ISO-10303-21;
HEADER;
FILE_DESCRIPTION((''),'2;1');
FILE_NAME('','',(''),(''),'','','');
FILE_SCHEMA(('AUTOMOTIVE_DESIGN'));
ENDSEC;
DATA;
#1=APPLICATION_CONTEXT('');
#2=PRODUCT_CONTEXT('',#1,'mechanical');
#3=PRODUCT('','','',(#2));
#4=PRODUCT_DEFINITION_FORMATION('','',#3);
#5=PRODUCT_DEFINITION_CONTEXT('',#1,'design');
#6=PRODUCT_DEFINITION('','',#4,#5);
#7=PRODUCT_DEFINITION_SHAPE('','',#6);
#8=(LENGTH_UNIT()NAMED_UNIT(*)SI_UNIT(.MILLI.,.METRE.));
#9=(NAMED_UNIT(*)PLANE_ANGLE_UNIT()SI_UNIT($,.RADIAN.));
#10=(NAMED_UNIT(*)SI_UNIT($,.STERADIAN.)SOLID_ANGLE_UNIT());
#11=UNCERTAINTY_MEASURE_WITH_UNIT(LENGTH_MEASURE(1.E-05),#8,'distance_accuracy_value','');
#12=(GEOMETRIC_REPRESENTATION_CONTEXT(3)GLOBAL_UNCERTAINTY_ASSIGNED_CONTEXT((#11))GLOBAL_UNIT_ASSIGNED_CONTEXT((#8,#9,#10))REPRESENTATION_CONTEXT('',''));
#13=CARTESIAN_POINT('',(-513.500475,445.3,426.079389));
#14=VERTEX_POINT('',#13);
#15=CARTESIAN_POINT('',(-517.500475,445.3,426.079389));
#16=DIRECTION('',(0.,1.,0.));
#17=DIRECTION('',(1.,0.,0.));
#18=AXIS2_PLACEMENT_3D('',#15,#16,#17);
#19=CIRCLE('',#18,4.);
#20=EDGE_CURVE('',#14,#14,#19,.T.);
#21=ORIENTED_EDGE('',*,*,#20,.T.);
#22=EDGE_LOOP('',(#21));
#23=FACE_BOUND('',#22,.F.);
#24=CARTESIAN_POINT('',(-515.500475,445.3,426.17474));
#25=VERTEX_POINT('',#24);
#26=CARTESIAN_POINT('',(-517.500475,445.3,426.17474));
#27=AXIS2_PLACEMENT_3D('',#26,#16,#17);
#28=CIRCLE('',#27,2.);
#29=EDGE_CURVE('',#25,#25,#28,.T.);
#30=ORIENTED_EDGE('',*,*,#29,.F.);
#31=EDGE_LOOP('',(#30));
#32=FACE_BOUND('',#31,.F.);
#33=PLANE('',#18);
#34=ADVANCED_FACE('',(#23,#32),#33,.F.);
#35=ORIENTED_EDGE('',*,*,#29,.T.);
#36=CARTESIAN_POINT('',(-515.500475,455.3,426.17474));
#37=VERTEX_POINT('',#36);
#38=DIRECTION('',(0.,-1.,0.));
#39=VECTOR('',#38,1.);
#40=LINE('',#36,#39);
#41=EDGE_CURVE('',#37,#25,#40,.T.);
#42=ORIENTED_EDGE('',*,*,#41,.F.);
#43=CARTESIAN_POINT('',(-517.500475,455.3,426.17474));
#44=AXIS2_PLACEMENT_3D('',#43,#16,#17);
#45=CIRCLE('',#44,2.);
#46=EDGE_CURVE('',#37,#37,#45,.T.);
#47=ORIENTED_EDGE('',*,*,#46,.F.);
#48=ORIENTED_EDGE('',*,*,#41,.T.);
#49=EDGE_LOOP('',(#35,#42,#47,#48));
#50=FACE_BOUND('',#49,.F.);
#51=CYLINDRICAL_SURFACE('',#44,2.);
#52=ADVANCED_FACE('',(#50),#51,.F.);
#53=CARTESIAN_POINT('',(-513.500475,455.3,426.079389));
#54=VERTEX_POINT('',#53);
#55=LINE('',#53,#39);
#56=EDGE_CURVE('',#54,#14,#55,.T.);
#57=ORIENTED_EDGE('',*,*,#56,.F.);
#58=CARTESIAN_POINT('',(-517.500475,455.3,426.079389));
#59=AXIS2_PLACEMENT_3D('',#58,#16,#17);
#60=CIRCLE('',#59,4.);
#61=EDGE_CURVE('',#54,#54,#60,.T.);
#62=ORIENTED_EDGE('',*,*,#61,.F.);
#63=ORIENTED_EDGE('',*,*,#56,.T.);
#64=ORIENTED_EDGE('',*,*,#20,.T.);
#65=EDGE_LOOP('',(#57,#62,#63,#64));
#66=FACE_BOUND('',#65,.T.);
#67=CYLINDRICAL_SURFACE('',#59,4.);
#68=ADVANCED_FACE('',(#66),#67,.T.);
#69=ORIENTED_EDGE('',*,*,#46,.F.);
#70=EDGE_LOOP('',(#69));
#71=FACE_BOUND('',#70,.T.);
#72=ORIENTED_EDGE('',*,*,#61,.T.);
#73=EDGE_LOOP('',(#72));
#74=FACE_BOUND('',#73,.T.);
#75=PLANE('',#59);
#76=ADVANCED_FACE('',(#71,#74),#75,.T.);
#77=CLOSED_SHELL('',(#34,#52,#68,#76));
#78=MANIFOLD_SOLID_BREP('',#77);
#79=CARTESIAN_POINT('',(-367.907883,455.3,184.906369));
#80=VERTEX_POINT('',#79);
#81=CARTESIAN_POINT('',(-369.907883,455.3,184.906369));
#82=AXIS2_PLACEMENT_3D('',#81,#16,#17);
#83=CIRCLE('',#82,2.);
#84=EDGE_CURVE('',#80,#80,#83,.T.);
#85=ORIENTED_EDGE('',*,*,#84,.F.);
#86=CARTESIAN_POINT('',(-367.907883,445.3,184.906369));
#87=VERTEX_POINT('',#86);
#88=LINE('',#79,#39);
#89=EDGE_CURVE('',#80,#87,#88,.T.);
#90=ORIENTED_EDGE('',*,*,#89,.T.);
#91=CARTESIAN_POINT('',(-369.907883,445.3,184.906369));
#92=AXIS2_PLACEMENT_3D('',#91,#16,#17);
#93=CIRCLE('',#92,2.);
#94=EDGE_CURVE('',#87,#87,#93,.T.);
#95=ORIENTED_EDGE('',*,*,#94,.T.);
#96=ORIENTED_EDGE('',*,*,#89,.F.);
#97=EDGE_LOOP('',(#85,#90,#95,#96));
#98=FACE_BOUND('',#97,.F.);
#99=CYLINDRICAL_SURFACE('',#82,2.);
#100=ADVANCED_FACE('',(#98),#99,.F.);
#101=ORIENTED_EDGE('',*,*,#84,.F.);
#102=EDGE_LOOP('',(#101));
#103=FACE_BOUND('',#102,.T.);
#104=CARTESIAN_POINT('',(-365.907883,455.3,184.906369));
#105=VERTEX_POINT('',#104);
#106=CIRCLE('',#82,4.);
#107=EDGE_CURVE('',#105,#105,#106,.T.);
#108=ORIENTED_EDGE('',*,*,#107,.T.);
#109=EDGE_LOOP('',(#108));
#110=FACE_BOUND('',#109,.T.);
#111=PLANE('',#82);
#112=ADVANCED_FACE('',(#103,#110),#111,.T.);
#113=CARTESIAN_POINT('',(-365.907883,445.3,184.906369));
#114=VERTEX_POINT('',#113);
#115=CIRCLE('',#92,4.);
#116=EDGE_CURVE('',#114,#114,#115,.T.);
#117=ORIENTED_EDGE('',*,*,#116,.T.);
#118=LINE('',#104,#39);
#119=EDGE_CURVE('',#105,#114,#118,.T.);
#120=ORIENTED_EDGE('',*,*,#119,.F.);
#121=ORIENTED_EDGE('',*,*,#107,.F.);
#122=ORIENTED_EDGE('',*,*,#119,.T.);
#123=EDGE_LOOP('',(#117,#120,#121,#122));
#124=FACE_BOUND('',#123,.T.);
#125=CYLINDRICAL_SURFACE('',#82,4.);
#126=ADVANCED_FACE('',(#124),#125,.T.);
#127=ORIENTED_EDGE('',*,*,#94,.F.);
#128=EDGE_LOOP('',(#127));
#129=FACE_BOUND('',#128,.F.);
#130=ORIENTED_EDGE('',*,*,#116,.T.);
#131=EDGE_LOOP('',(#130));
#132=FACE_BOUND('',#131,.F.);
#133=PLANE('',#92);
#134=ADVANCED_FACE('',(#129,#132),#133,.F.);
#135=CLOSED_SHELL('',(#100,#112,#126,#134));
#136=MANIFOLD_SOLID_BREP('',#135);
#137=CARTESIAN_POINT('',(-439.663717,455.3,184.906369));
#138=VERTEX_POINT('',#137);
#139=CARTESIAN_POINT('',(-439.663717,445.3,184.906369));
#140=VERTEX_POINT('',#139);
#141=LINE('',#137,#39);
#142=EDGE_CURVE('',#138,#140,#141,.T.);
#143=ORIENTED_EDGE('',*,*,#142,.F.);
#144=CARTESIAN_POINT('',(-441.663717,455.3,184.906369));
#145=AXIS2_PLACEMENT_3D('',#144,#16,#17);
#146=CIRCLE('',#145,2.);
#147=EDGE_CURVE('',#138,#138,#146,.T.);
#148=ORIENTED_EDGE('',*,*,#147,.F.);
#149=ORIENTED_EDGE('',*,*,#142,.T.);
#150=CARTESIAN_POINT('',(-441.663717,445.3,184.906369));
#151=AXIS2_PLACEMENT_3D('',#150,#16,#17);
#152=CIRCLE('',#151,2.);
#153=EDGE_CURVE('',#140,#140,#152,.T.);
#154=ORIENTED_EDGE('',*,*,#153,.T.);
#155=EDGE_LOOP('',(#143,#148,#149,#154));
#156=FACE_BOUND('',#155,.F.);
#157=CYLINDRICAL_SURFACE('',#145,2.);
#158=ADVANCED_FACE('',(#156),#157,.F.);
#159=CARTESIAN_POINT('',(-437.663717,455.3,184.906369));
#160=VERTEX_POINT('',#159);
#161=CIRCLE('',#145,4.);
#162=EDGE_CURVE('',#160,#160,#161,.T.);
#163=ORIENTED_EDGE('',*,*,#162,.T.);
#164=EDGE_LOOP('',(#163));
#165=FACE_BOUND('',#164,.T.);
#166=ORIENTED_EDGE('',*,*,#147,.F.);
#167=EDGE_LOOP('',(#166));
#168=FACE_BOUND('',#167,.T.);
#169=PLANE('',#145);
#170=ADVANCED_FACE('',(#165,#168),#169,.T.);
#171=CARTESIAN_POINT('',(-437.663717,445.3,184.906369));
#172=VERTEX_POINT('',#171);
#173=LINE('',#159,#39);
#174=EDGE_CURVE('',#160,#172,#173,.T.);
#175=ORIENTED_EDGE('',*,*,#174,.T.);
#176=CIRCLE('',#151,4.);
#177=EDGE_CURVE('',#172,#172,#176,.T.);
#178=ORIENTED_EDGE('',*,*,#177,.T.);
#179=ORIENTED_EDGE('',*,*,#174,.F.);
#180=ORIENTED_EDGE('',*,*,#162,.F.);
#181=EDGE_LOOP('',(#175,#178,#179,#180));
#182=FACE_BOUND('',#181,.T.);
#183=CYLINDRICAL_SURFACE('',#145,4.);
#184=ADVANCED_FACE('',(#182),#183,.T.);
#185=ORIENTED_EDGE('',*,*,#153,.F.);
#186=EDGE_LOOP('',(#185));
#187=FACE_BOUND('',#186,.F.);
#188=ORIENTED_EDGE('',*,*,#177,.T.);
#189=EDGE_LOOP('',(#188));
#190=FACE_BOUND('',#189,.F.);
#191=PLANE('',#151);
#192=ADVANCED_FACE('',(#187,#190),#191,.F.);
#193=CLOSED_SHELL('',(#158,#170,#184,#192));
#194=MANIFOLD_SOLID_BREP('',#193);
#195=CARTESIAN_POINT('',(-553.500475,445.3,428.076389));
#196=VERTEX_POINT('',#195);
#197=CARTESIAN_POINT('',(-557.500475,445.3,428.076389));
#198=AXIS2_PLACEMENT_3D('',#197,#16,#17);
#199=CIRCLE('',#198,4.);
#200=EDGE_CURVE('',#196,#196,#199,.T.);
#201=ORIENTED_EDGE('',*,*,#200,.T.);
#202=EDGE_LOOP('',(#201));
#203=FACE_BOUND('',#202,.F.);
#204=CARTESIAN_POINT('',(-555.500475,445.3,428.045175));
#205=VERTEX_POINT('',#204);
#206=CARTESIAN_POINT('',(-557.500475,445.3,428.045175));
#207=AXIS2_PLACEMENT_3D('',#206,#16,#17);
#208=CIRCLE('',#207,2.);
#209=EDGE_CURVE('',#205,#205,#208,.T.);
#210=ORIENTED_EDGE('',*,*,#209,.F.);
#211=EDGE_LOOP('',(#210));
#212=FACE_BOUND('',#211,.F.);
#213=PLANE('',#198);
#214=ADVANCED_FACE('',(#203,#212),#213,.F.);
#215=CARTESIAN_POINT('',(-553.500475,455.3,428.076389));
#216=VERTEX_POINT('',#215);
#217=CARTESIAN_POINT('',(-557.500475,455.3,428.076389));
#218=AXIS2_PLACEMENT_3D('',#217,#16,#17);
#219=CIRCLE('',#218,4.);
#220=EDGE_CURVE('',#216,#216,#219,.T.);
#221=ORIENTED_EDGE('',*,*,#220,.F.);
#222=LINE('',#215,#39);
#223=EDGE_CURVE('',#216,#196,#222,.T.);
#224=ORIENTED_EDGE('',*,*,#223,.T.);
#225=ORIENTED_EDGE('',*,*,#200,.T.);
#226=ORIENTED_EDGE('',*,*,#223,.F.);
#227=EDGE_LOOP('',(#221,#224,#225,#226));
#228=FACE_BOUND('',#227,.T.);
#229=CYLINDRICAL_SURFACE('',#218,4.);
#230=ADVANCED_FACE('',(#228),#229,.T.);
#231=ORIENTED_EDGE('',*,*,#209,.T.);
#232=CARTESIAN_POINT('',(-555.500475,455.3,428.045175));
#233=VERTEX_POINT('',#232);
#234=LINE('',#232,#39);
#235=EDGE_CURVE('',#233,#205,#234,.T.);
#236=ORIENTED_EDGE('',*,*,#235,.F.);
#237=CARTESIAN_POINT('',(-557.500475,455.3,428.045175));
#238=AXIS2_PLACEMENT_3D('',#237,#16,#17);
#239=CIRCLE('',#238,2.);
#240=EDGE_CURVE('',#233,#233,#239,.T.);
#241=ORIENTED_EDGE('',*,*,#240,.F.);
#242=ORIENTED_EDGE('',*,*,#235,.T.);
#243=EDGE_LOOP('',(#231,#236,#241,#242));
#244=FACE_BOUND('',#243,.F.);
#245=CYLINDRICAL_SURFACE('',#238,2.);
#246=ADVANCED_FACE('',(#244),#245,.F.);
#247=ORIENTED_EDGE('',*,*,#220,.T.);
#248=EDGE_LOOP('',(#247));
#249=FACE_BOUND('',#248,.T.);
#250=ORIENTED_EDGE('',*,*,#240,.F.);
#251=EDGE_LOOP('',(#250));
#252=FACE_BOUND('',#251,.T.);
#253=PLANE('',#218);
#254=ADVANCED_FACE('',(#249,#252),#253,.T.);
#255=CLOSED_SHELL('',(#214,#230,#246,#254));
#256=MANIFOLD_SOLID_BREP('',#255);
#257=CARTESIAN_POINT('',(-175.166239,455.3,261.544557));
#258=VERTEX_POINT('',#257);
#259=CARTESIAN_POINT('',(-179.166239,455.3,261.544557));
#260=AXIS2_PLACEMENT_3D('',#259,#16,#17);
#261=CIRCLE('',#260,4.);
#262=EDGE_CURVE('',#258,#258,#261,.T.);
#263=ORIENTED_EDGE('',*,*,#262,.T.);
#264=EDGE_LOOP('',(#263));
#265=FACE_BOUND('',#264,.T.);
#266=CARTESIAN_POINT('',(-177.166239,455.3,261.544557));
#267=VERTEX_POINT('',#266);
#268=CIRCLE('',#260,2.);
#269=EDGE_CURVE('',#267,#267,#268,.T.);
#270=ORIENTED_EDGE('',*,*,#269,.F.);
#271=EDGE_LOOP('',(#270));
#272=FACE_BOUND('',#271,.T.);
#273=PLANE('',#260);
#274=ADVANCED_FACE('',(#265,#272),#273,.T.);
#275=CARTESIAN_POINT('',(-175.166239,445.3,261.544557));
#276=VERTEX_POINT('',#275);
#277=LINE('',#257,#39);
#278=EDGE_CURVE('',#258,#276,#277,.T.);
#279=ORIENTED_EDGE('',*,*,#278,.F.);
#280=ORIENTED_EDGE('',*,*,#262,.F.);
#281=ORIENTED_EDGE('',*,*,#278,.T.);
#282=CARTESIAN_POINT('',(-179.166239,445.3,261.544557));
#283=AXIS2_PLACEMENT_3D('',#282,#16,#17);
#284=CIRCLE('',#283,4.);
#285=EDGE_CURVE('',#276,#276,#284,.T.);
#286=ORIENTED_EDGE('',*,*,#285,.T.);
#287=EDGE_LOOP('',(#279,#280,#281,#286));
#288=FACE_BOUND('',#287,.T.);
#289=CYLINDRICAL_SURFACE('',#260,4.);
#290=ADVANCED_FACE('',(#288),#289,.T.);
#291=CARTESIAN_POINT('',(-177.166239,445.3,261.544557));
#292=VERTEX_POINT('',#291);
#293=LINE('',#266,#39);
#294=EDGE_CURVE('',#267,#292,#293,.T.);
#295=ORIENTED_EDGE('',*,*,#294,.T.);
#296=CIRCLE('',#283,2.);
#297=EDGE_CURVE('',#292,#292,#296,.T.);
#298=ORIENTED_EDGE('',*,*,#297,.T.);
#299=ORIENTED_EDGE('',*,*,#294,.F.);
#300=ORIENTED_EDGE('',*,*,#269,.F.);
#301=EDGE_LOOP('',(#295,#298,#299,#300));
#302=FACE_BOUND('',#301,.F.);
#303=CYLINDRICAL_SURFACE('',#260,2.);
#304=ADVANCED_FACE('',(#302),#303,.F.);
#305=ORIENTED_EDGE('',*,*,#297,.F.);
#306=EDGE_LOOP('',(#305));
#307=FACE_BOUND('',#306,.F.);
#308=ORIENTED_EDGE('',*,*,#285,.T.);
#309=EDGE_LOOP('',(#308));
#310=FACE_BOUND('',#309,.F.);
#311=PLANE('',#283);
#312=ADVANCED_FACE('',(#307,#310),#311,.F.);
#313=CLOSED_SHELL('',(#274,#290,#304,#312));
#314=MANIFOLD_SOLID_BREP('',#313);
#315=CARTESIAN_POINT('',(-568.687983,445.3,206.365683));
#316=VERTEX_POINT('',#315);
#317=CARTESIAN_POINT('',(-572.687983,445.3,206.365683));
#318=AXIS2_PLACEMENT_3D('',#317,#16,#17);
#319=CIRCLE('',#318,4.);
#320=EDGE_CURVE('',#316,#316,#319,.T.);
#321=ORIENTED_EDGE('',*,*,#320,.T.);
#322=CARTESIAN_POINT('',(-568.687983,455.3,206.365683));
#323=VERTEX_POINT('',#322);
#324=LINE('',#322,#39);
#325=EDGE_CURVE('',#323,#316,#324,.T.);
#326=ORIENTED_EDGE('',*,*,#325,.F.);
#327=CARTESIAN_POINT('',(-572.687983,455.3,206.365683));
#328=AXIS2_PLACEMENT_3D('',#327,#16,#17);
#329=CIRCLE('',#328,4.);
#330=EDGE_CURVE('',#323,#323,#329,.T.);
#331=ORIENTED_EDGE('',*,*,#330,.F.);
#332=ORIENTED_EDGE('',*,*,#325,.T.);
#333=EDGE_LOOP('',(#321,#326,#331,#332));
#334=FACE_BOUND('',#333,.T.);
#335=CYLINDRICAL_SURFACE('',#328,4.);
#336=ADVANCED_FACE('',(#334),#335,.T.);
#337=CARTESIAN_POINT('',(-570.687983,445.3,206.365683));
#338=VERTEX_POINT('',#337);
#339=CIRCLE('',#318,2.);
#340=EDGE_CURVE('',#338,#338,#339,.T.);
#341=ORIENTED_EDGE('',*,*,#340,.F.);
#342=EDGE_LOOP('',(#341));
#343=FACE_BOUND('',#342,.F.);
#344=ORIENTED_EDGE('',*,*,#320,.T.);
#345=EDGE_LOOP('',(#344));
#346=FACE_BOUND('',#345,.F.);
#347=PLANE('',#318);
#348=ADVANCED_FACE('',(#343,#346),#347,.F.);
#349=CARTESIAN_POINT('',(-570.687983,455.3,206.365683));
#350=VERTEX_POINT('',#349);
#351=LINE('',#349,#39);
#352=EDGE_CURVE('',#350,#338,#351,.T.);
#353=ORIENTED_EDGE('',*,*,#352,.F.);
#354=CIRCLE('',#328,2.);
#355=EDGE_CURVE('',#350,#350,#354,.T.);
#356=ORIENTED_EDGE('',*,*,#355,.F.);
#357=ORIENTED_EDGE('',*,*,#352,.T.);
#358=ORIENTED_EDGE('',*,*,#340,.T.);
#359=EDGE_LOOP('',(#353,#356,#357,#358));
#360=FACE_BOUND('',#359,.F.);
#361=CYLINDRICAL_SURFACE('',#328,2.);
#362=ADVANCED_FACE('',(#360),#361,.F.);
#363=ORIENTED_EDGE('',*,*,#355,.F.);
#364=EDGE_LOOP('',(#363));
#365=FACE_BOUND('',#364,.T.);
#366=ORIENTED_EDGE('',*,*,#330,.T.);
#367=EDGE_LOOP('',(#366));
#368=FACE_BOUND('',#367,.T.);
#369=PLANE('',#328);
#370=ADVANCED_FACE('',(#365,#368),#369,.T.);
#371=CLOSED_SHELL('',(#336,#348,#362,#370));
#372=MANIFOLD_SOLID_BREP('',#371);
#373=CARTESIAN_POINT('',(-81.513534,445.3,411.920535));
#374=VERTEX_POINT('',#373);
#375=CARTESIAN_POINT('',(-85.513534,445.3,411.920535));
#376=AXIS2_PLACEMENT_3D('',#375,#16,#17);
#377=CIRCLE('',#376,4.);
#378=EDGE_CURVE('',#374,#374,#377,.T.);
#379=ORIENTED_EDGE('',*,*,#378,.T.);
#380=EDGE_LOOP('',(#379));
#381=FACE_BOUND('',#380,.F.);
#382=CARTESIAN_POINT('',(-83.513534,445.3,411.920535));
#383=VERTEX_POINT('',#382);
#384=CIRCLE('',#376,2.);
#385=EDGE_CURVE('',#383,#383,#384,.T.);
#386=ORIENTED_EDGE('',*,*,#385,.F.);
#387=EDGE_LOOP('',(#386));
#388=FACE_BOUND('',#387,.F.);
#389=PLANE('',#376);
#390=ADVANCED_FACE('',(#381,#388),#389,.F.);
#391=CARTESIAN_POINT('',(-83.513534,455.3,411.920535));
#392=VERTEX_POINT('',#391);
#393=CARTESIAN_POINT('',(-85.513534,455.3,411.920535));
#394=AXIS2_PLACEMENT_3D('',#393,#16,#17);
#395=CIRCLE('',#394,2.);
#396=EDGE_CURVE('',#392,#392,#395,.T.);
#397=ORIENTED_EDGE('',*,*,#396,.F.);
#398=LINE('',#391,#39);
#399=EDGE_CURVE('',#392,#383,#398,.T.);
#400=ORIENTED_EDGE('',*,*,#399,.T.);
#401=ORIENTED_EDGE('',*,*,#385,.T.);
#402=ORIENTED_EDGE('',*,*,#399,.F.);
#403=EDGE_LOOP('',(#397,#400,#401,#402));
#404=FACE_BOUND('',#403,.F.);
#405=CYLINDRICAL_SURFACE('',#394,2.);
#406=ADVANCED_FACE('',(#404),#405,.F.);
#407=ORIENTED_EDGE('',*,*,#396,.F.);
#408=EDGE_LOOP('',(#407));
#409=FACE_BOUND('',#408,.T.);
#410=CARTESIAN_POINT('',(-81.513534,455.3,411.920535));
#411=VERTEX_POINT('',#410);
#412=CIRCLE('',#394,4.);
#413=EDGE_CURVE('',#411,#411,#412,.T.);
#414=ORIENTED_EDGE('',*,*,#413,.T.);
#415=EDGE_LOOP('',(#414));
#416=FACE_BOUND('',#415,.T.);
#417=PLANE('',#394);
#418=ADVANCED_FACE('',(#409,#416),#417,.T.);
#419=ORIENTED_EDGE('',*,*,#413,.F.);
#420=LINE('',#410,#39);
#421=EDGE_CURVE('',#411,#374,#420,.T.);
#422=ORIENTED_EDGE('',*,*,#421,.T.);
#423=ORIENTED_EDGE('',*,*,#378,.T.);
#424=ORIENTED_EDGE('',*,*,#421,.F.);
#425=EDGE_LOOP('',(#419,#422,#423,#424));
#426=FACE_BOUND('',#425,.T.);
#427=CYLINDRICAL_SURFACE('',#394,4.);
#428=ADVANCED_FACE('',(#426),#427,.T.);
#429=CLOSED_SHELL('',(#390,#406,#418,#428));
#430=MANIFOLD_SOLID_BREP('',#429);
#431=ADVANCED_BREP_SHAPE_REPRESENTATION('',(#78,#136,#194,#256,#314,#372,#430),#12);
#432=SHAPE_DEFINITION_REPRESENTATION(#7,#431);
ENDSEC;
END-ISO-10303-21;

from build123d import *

# Parameters (mm, degrees)
SZKIC1_R                      = 4
SZKIC1_R_2                    = 2
DODANIE_WYCI_GNI_CIE1_DEPTH   = 10
DODANIE_WYCI_GNI_CIE1_2_DEPTH = 10
DODANIE_WYCI_GNI_CIE1_3_DEPTH = 10
SZKIC1_R_3                    = 3.999999999
DODANIE_WYCI_GNI_CIE1_4_DEPTH = 10
DODANIE_WYCI_GNI_CIE1_5_DEPTH = 10
DODANIE_WYCI_GNI_CIE1_6_DEPTH = 10
DODANIE_WYCI_GNI_CIE1_7_DEPTH = 10


with BuildPart() as part:
    # Szkic1 → Dodanie-wyciągnięcie1 (new body)
    with BuildSketch(Plane(origin=(0, 455.3, 0), x_dir=(1, 0, 0), z_dir=(0, 1, 0))):
        with Locations((-557.500474948, -428.076388532)):
            Circle(SZKIC1_R)
        with Locations((-557.500474948, -428.045174827)):
            Circle(SZKIC1_R_2, mode=Mode.SUBTRACT)
    extrude(amount=-DODANIE_WYCI_GNI_CIE1_DEPTH)


with BuildPart() as body_2:
    # Szkic1 → Dodanie-wyci_gni_cie1 2 (new body)
    with BuildSketch(Plane(origin=(0, 455.3, 0), x_dir=(1, 0, 0), z_dir=(0, 1, 0))):
        with Locations((-517.500474948, -426.079389265)):
            Circle(SZKIC1_R)
        with Locations((-517.500474948, -426.174740182)):
            Circle(SZKIC1_R_2, mode=Mode.SUBTRACT)
    extrude(amount=-DODANIE_WYCI_GNI_CIE1_2_DEPTH)


with BuildPart() as body_3:
    # Szkic1 → Dodanie-wyci_gni_cie1 3 (new body)
    with BuildSketch(Plane(origin=(0, 455.3, 0), x_dir=(1, 0, 0), z_dir=(0, 1, 0))):
        with Locations((-85.513533731, -411.920534849)):
            Circle(SZKIC1_R)
        with Locations((-85.513533731, -411.920534849)):
            Circle(SZKIC1_R_2, mode=Mode.SUBTRACT)
    extrude(amount=-DODANIE_WYCI_GNI_CIE1_3_DEPTH)


with BuildPart() as body_4:
    # Szkic1 → Dodanie-wyci_gni_cie1 4 (new body)
    with BuildSketch(Plane(origin=(0, 455.3, 0), x_dir=(1, 0, 0), z_dir=(0, 1, 0))):
        with Locations((-179.166238959, -261.544556892)):
            Circle(SZKIC1_R_3)
        with Locations((-179.166238959, -261.544556892)):
            Circle(SZKIC1_R_2, mode=Mode.SUBTRACT)
    extrude(amount=-DODANIE_WYCI_GNI_CIE1_4_DEPTH)


with BuildPart() as body_5:
    # Szkic1 → Dodanie-wyci_gni_cie1 5 (new body)
    with BuildSketch(Plane(origin=(0, 455.3, 0), x_dir=(1, 0, 0), z_dir=(0, 1, 0))):
        with Locations((-369.907883248, -184.906368669)):
            Circle(SZKIC1_R)
        with Locations((-369.907883248, -184.906368669)):
            Circle(SZKIC1_R_2, mode=Mode.SUBTRACT)
    extrude(amount=-DODANIE_WYCI_GNI_CIE1_5_DEPTH)


with BuildPart() as body_6:
    # Szkic1 → Dodanie-wyci_gni_cie1 6 (new body)
    with BuildSketch(Plane(origin=(0, 455.3, 0), x_dir=(1, 0, 0), z_dir=(0, 1, 0))):
        with Locations((-441.66371711, -184.906368669)):
            Circle(SZKIC1_R)
        with Locations((-441.66371711, -184.906368669)):
            Circle(SZKIC1_R_2, mode=Mode.SUBTRACT)
    extrude(amount=-DODANIE_WYCI_GNI_CIE1_6_DEPTH)


with BuildPart() as body_7:
    # Szkic1 → Dodanie-wyci_gni_cie1 7 (new body)
    with BuildSketch(Plane(origin=(0, 455.3, 0), x_dir=(1, 0, 0), z_dir=(0, 1, 0))):
        with Locations((-572.687982615, -206.365683114)):
            Circle(SZKIC1_R)
        with Locations((-572.687982615, -206.365683114)):
            Circle(SZKIC1_R_2, mode=Mode.SUBTRACT)
    extrude(amount=-DODANIE_WYCI_GNI_CIE1_7_DEPTH)


solid = Compound([part.part, body_2.part, body_3.part, body_4.part, body_5.part, body_6.part, body_7.part])
